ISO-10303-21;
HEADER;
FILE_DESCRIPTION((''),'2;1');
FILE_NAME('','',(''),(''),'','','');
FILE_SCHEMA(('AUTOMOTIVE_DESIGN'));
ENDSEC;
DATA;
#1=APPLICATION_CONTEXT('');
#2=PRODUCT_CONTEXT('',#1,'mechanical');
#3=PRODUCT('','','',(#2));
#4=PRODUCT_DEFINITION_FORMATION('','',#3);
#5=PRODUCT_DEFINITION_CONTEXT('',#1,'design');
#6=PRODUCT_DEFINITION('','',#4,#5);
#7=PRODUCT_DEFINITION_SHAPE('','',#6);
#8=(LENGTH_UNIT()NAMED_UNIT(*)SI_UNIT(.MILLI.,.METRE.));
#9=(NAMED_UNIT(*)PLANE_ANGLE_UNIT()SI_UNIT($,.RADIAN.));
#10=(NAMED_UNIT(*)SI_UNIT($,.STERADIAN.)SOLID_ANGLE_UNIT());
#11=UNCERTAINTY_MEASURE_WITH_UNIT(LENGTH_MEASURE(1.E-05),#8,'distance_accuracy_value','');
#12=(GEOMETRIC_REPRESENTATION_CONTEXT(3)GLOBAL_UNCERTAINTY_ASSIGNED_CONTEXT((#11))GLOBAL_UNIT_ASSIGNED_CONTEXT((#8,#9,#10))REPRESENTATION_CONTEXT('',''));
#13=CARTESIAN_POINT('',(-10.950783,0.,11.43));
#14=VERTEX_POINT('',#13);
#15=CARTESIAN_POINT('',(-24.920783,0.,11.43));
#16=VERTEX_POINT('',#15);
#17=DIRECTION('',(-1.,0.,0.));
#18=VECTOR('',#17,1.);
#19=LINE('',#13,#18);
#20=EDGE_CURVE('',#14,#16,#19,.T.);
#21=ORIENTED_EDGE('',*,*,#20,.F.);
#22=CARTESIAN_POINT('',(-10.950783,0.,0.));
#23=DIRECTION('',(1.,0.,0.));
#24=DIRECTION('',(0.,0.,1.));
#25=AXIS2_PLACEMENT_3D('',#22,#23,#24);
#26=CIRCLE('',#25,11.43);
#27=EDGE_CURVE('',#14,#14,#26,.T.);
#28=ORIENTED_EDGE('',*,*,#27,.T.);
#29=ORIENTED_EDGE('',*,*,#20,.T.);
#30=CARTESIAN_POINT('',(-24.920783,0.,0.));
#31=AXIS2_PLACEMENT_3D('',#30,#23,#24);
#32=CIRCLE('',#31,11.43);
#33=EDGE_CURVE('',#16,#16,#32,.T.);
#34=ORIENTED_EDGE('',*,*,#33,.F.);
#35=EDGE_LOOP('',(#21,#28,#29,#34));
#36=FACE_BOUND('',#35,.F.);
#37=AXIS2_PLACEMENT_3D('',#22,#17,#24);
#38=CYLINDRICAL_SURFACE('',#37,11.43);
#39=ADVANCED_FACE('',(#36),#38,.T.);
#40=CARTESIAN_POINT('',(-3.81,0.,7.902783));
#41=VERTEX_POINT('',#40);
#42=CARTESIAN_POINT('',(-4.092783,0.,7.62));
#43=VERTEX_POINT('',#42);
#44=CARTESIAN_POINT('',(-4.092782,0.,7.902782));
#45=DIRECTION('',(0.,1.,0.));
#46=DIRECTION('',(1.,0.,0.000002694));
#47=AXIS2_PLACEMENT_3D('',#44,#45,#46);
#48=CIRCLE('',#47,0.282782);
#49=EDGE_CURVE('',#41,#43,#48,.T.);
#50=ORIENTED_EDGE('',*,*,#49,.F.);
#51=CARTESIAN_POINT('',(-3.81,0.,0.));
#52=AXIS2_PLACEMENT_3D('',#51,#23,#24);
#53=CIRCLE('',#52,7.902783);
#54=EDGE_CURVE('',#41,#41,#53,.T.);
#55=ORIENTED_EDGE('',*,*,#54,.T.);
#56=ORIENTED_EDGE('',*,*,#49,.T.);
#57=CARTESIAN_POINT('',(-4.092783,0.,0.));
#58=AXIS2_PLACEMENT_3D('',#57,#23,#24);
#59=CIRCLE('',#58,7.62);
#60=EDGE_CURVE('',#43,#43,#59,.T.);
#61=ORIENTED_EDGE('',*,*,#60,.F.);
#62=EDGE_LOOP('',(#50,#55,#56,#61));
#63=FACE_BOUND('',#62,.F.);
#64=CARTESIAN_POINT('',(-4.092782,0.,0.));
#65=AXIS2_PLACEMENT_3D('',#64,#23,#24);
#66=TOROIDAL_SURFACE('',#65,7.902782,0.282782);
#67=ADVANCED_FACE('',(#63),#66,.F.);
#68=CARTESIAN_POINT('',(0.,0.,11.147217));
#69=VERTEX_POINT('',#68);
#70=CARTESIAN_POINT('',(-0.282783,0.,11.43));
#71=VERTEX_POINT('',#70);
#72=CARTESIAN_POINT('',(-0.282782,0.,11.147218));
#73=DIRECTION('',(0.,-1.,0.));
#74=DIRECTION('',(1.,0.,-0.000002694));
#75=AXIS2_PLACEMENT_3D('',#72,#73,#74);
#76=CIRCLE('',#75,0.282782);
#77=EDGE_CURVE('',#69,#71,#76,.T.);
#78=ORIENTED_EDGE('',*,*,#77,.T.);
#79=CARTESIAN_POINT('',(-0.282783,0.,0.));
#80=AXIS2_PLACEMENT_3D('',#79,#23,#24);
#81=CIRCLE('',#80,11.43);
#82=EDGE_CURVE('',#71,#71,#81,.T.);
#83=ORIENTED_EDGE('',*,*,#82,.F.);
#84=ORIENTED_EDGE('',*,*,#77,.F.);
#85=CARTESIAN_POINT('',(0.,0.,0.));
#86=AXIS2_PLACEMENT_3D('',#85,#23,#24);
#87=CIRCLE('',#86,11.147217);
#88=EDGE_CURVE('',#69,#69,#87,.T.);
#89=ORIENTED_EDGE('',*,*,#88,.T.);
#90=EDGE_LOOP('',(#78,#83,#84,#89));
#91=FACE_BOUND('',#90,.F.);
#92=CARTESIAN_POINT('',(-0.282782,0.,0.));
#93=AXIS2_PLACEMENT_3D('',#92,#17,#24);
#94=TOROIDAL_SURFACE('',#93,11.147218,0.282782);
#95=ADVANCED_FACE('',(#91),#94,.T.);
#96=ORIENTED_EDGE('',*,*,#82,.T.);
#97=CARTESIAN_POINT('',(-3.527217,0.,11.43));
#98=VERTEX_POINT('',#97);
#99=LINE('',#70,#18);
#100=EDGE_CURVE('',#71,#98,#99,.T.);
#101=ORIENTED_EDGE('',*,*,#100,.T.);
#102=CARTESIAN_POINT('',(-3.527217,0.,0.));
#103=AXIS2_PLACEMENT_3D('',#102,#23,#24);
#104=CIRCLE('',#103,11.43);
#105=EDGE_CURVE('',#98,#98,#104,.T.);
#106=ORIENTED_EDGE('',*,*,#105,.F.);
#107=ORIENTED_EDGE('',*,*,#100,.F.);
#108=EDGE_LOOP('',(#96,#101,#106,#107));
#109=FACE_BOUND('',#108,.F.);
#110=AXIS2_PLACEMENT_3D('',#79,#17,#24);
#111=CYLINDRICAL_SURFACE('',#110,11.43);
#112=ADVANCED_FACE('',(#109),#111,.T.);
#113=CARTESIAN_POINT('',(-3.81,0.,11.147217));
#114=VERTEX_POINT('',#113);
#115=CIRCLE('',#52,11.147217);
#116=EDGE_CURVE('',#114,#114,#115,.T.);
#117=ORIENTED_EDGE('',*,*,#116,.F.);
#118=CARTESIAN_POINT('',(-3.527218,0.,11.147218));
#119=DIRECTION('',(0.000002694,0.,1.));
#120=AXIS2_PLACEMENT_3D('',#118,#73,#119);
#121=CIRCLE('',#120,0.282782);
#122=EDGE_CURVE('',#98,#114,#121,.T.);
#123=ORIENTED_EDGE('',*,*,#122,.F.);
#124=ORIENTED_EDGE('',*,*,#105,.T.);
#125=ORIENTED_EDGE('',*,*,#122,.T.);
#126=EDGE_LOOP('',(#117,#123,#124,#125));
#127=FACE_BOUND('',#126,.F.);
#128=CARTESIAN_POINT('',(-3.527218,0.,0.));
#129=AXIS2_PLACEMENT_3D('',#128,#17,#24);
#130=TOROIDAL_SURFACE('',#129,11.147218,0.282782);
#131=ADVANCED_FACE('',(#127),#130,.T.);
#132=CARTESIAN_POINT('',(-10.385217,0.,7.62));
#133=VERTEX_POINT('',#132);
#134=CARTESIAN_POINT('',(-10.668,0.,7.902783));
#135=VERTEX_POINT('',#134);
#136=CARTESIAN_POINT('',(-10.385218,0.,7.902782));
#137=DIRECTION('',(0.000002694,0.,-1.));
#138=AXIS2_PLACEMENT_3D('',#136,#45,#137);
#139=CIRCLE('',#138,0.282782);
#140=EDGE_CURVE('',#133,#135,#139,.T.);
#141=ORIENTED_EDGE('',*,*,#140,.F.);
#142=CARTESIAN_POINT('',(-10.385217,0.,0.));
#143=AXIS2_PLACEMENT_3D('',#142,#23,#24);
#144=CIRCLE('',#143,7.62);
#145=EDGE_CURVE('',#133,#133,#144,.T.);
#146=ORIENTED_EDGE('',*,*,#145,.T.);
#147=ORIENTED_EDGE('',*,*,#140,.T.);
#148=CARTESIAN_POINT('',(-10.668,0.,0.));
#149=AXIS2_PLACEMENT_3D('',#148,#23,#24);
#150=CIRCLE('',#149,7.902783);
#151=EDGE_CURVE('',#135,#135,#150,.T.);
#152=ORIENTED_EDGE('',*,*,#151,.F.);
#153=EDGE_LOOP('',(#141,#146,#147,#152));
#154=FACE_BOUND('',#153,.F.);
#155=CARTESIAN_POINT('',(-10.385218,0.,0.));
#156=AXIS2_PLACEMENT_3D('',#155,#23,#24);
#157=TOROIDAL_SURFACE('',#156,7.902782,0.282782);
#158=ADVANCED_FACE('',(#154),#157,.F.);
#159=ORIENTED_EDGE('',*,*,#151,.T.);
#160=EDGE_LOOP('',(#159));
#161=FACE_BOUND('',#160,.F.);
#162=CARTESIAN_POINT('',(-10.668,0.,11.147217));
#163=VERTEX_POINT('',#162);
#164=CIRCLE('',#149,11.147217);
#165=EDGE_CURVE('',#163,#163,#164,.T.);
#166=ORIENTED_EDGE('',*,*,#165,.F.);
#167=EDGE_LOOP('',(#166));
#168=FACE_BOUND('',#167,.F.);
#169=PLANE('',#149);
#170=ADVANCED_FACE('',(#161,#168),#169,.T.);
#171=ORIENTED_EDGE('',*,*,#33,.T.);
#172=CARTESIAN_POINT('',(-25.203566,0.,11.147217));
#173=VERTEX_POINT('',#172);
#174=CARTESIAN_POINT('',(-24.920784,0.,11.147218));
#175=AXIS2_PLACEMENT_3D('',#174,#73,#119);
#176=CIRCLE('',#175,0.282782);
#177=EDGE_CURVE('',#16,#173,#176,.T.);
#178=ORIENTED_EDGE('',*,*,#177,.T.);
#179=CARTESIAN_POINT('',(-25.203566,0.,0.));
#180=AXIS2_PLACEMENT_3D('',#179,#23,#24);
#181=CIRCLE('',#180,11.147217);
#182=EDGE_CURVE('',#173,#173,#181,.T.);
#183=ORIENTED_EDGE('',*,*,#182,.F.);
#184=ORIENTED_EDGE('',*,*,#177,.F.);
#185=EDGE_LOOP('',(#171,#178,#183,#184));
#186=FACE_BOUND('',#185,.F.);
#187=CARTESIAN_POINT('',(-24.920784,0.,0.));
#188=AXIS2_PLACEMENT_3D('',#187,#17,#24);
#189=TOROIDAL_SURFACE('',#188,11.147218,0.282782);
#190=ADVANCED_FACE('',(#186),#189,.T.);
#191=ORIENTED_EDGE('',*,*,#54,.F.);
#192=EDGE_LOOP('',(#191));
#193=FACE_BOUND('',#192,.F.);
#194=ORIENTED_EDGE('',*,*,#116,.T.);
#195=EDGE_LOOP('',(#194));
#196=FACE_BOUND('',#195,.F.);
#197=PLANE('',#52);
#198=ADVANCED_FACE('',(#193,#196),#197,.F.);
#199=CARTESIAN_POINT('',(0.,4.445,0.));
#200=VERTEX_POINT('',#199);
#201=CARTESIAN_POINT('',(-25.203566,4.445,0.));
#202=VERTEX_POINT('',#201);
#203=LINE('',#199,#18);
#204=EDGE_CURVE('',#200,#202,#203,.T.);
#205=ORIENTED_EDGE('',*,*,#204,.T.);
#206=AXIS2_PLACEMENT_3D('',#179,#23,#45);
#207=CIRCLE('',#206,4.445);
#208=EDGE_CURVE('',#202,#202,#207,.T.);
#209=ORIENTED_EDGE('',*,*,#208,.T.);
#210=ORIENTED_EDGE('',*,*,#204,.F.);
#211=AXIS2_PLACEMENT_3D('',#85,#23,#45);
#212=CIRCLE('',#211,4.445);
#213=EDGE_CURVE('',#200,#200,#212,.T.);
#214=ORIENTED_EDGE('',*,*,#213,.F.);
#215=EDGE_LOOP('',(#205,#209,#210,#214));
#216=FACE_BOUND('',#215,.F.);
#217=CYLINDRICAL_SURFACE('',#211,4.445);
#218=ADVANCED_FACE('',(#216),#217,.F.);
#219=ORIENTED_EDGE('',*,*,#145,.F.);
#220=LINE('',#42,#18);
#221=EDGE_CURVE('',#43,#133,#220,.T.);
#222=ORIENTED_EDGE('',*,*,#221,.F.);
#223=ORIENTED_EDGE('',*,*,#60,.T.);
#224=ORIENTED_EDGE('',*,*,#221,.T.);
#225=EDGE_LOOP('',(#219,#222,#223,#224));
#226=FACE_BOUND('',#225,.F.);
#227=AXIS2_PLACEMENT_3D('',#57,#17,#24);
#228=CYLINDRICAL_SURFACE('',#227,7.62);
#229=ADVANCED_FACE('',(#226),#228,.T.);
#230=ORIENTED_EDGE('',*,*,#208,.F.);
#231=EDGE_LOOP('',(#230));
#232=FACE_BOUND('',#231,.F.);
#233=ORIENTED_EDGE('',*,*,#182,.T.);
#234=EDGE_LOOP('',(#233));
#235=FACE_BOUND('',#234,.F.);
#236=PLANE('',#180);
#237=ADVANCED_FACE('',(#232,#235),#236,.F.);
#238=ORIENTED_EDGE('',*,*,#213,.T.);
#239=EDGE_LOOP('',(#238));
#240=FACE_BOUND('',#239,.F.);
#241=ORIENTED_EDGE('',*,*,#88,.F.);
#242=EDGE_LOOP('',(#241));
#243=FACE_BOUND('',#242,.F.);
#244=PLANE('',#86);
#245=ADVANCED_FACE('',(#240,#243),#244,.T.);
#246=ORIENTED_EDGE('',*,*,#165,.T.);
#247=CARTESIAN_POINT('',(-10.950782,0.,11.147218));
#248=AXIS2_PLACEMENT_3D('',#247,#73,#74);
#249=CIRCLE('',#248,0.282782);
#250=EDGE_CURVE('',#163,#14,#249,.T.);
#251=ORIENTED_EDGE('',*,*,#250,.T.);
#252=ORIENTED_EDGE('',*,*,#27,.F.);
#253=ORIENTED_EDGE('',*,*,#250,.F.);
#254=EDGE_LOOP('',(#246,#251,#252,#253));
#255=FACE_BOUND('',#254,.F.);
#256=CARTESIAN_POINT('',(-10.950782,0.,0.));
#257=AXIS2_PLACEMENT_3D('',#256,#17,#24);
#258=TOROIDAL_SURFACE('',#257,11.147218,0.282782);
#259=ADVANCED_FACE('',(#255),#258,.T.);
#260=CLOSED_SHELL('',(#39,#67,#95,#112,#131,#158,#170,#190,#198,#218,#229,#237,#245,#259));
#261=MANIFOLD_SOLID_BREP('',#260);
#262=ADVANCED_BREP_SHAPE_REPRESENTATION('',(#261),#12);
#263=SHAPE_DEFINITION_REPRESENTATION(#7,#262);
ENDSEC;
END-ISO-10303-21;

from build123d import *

# Parameters (mm, degrees)
F2_R     = 4.445
F3_DEPTH = 25.204566


with BuildPart() as f1:
    # F0 (on Front) → F1 (revolve)
    with BuildSketch(Plane.XZ):
        with BuildLine():
            Line((-25.203566, 0), (0, 0))
            Line((0, 0), (0, 11.147217))
            ThreePointArc((0, 11.147217), (-0.082825, 11.347175), (-0.282783, 11.43))
            Line((-0.282783, 11.43), (-3.527217, 11.43))
            ThreePointArc((-3.527217, 11.43), (-3.727175, 11.347175), (-3.81, 11.147217))
            Line((-3.81, 11.147217), (-3.81, 7.902783))
            ThreePointArc((-3.81, 7.902783), (-3.892825, 7.702825), (-4.092783, 7.62))
            Line((-4.092783, 7.62), (-10.385217, 7.62))
            ThreePointArc((-10.385217, 7.62), (-10.585175, 7.702825), (-10.668, 7.902783))
            Line((-10.668, 7.902783), (-10.668, 11.147217))
            ThreePointArc((-10.668, 11.147217), (-10.750825, 11.347175), (-10.950783, 11.43))
            Line((-10.950783, 11.43), (-24.920783, 11.43))
            ThreePointArc((-24.920783, 11.43), (-25.120741, 11.347175), (-25.203566, 11.147217))
            Line((-25.203566, 11.147217), (-25.203566, 7.62))
            Line((-25.203566, 7.62), (-25.203566, 0))
        make_face()
    revolve(axis=Axis((-12.601783, 0, 0), (1, 0, 0)))

    # F2 (on Right) → F3 (cut, through all)
    with BuildSketch(Plane.YZ):
        Circle(F2_R)
    extrude(amount=-F3_DEPTH, mode=Mode.SUBTRACT)


solid = f1.part
